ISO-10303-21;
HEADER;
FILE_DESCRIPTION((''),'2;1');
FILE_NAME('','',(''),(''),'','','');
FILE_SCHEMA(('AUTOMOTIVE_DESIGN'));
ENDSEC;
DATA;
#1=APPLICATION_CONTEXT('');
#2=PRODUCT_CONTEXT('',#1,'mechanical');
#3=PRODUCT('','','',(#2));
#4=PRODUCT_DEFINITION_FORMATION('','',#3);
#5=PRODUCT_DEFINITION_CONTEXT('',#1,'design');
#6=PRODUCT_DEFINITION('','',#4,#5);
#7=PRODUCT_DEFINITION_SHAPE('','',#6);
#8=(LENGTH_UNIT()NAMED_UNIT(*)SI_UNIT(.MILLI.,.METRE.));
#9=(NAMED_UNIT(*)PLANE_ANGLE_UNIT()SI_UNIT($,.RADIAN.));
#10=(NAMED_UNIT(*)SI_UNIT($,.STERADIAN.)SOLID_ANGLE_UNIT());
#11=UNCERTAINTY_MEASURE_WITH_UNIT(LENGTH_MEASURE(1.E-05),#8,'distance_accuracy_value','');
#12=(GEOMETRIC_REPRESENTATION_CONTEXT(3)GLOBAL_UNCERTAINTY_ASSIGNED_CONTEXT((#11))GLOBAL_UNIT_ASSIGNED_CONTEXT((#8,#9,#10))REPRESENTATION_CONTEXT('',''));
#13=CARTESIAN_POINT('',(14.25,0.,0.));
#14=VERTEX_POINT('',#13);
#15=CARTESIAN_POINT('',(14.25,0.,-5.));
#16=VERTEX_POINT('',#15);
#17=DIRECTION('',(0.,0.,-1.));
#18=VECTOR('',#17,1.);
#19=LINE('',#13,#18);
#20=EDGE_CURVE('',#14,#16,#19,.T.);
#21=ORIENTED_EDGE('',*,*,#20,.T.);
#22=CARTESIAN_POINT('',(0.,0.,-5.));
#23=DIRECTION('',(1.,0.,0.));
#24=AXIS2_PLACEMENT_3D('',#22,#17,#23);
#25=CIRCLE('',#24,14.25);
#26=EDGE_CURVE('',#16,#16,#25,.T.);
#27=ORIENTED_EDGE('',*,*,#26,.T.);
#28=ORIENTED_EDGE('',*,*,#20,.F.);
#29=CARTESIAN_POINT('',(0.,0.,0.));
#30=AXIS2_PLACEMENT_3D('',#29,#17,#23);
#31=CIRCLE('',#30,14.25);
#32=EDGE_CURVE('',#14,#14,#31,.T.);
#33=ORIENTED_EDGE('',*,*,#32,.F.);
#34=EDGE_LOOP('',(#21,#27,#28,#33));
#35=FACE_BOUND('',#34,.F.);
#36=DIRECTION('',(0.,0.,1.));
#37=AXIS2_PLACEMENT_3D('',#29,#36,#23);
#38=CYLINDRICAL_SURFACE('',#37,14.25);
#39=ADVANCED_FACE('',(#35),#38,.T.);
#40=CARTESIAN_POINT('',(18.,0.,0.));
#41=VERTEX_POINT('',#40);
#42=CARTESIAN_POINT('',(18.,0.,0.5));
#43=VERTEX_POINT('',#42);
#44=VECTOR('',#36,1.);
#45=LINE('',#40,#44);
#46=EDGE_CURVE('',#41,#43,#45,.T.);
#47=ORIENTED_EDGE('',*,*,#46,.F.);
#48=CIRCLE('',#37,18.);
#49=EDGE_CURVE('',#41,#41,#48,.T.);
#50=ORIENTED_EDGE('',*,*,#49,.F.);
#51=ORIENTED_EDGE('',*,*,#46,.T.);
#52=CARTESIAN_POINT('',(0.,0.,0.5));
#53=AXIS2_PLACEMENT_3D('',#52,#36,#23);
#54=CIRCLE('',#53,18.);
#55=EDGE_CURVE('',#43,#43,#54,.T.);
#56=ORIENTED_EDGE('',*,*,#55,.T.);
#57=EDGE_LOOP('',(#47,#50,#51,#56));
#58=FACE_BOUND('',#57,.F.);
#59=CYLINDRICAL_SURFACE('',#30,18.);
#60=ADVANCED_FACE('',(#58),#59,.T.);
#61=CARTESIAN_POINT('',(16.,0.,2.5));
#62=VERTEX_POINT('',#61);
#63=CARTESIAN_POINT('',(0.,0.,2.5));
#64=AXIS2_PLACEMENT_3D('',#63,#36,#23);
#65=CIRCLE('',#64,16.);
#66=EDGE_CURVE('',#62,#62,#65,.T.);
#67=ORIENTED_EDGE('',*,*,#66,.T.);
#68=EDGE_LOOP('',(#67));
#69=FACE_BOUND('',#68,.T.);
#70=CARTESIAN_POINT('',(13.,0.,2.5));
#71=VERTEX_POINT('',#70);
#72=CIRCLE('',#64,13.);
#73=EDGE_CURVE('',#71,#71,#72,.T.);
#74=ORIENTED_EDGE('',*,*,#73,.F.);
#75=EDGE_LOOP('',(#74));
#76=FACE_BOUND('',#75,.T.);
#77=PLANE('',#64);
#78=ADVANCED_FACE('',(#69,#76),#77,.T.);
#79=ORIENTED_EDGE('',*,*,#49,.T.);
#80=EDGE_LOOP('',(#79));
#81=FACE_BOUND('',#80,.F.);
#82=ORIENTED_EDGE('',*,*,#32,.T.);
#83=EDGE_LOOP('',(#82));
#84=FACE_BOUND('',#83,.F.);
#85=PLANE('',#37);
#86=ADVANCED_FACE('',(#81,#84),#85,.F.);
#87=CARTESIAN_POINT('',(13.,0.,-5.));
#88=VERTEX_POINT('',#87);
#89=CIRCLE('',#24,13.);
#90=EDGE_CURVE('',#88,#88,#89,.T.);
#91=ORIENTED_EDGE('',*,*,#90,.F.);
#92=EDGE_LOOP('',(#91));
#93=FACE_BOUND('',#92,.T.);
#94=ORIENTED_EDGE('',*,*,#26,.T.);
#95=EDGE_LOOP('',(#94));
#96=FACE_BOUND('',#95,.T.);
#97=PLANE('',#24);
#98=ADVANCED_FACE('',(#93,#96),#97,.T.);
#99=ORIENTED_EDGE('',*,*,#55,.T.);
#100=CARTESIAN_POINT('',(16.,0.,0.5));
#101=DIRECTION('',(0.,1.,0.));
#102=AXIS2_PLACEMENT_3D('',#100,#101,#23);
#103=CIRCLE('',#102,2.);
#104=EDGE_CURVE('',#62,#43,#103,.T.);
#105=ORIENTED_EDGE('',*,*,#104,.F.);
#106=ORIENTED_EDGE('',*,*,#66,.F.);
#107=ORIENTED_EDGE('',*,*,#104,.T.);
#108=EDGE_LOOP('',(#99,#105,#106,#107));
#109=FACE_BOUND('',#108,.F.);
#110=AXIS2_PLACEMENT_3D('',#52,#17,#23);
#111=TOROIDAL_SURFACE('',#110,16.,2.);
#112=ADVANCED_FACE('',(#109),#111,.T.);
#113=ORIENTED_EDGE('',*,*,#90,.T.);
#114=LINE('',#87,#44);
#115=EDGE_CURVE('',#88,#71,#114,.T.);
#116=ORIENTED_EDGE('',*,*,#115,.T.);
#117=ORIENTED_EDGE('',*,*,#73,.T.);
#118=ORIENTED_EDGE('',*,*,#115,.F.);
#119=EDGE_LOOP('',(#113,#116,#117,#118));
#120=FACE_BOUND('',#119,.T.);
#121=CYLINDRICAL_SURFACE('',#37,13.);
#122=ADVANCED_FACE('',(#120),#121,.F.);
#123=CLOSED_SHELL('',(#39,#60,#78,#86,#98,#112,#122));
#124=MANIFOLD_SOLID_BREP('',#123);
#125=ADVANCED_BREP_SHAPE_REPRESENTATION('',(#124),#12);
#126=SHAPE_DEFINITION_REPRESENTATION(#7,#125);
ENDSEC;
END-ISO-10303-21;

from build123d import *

# Parameters (mm, degrees)
F0_R     = 18
F0_R_2   = 13
F1_DEPTH = 2.5
F2_R     = 14.25
F2_R_2   = 13
F3_DEPTH = 5
F4_R     = 2


with BuildPart() as f1:
    # F0 (on Top) → F1 (new body)
    with BuildSketch(Plane.XY):
        Circle(F0_R)
        Circle(F0_R_2, mode=Mode.SUBTRACT)
    extrude(amount=F1_DEPTH)

    # F2 (on face) → F3 (join)
    with BuildSketch(Plane(origin=(0, 0, 0), x_dir=(1, 0, 0), z_dir=(0, 0, -1))):
        Circle(F2_R)
        Circle(F2_R_2, mode=Mode.SUBTRACT)
    extrude(amount=F3_DEPTH)

    # F4
    f4_edges = [f1.edges().sort_by_distance(p)[0] for p in [
        (-18, 0, 2.5),
    ]]
    fillet(f4_edges, radius=F4_R)


solid = f1.part
